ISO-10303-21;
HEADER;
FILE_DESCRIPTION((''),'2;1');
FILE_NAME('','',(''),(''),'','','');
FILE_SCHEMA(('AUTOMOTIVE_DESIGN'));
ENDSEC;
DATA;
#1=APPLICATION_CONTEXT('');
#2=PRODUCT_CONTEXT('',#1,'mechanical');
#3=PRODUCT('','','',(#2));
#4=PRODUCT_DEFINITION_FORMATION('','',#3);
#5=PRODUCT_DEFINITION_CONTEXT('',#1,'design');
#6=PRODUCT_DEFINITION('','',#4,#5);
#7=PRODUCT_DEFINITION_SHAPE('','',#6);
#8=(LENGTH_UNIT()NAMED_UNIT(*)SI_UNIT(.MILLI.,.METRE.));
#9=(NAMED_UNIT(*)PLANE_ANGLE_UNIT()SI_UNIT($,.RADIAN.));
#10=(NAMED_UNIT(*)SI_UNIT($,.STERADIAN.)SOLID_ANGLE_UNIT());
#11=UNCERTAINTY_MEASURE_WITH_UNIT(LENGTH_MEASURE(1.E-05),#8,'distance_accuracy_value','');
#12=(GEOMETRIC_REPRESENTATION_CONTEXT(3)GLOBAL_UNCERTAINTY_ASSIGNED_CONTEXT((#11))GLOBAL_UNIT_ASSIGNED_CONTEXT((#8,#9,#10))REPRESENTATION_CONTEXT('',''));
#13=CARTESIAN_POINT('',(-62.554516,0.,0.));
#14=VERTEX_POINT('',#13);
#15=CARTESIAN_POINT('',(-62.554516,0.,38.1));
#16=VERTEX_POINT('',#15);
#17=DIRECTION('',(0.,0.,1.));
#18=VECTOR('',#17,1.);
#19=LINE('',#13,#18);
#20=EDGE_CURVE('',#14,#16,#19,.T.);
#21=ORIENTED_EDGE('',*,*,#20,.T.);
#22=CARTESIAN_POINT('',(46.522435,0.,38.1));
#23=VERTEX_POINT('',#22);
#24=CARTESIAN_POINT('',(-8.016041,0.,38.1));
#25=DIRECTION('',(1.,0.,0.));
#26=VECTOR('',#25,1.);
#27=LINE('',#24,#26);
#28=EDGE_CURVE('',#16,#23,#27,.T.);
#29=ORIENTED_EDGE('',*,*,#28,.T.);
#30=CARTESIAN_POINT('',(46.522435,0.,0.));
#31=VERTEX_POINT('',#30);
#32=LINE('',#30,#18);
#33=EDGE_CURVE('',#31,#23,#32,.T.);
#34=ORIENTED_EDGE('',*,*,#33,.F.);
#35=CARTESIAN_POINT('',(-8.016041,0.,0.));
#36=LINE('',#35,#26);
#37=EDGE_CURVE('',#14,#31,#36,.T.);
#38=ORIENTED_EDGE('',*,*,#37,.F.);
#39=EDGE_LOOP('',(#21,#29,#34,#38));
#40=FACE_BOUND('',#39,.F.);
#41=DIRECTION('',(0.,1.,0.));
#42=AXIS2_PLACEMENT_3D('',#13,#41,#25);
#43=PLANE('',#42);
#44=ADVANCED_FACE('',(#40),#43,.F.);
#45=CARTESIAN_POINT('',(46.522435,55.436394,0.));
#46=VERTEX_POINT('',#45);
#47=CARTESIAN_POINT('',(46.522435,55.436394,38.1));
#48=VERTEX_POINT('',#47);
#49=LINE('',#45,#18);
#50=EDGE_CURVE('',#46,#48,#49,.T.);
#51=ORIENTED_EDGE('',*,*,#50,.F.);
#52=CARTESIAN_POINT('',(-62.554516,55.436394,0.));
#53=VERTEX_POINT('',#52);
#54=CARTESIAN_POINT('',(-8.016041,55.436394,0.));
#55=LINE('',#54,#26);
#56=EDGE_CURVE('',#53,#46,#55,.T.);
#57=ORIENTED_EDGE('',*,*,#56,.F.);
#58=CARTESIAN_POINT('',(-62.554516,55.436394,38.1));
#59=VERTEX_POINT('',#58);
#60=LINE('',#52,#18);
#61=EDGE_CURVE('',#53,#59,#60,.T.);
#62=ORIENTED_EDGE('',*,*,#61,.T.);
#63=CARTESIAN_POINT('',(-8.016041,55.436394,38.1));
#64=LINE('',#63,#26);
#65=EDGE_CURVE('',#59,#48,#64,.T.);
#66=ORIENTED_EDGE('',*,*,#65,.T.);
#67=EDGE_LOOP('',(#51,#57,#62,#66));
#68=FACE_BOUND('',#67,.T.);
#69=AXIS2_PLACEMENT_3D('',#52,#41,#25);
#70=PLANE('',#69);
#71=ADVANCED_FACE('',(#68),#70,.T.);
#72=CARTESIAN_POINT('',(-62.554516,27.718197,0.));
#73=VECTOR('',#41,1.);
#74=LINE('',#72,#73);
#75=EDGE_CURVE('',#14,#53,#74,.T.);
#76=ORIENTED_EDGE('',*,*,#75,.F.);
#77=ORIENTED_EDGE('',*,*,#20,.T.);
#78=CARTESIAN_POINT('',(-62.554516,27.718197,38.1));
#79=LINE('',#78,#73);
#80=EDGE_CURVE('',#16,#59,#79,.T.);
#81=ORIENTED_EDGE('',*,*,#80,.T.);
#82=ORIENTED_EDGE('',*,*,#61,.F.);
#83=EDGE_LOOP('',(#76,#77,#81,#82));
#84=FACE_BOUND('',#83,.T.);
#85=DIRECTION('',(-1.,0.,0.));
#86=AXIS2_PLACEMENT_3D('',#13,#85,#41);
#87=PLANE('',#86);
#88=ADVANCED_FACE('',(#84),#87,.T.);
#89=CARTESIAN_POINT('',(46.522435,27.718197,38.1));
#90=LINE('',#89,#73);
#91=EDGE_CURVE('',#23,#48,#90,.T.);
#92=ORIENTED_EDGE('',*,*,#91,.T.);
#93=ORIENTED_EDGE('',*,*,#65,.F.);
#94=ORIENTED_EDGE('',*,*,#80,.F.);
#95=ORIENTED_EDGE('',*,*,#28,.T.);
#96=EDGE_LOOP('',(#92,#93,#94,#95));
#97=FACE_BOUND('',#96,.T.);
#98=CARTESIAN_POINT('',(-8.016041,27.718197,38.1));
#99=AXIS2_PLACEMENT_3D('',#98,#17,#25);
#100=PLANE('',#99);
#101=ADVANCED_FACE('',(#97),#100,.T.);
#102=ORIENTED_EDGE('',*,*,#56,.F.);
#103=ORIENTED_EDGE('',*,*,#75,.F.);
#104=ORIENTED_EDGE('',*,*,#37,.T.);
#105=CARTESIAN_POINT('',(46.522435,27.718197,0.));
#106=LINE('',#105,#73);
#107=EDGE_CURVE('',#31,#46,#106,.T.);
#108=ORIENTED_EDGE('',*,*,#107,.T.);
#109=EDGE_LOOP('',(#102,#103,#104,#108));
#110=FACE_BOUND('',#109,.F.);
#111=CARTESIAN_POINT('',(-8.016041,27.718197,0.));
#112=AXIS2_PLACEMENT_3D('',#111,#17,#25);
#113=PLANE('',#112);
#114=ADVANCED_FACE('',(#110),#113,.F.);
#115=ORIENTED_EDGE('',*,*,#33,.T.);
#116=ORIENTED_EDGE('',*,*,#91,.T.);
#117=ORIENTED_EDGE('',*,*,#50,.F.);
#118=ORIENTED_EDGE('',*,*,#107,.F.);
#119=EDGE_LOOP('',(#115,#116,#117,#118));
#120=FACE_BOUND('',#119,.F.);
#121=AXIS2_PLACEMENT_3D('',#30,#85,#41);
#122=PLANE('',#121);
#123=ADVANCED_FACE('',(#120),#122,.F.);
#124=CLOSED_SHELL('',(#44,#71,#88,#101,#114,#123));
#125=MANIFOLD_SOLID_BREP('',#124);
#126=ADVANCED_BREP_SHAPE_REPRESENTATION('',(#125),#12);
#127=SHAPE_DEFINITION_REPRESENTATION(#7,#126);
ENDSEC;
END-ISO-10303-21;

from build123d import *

# Parameters (mm, degrees)
F0_W     = 109.076951
F0_H     = 55.436395
F1_DEPTH = 38.1
F3_DEPTH = 31.75


with BuildPart() as f1:
    # F0 (on Top) → F1 (new body)
    with BuildSketch(Plane.XY):
        with Locations((-8.016041, 27.718197)):
            Rectangle(F0_W, F0_H)
    extrude(amount=F1_DEPTH)


with BuildPart() as f3:
    # F2 (on Right) → F3 (new body)
    with BuildSketch(Plane.YZ):
        Polygon((13.686987, 59.200544), (24.832965, 39.895144), (35.978943, 59.200544), align=None)
    extrude(amount=F3_DEPTH)


with BuildPart() as f1_1:
    add(f1.part)

    # F4: cut F3
    add(f3.part, mode=Mode.SUBTRACT)


solid = f1_1.part
